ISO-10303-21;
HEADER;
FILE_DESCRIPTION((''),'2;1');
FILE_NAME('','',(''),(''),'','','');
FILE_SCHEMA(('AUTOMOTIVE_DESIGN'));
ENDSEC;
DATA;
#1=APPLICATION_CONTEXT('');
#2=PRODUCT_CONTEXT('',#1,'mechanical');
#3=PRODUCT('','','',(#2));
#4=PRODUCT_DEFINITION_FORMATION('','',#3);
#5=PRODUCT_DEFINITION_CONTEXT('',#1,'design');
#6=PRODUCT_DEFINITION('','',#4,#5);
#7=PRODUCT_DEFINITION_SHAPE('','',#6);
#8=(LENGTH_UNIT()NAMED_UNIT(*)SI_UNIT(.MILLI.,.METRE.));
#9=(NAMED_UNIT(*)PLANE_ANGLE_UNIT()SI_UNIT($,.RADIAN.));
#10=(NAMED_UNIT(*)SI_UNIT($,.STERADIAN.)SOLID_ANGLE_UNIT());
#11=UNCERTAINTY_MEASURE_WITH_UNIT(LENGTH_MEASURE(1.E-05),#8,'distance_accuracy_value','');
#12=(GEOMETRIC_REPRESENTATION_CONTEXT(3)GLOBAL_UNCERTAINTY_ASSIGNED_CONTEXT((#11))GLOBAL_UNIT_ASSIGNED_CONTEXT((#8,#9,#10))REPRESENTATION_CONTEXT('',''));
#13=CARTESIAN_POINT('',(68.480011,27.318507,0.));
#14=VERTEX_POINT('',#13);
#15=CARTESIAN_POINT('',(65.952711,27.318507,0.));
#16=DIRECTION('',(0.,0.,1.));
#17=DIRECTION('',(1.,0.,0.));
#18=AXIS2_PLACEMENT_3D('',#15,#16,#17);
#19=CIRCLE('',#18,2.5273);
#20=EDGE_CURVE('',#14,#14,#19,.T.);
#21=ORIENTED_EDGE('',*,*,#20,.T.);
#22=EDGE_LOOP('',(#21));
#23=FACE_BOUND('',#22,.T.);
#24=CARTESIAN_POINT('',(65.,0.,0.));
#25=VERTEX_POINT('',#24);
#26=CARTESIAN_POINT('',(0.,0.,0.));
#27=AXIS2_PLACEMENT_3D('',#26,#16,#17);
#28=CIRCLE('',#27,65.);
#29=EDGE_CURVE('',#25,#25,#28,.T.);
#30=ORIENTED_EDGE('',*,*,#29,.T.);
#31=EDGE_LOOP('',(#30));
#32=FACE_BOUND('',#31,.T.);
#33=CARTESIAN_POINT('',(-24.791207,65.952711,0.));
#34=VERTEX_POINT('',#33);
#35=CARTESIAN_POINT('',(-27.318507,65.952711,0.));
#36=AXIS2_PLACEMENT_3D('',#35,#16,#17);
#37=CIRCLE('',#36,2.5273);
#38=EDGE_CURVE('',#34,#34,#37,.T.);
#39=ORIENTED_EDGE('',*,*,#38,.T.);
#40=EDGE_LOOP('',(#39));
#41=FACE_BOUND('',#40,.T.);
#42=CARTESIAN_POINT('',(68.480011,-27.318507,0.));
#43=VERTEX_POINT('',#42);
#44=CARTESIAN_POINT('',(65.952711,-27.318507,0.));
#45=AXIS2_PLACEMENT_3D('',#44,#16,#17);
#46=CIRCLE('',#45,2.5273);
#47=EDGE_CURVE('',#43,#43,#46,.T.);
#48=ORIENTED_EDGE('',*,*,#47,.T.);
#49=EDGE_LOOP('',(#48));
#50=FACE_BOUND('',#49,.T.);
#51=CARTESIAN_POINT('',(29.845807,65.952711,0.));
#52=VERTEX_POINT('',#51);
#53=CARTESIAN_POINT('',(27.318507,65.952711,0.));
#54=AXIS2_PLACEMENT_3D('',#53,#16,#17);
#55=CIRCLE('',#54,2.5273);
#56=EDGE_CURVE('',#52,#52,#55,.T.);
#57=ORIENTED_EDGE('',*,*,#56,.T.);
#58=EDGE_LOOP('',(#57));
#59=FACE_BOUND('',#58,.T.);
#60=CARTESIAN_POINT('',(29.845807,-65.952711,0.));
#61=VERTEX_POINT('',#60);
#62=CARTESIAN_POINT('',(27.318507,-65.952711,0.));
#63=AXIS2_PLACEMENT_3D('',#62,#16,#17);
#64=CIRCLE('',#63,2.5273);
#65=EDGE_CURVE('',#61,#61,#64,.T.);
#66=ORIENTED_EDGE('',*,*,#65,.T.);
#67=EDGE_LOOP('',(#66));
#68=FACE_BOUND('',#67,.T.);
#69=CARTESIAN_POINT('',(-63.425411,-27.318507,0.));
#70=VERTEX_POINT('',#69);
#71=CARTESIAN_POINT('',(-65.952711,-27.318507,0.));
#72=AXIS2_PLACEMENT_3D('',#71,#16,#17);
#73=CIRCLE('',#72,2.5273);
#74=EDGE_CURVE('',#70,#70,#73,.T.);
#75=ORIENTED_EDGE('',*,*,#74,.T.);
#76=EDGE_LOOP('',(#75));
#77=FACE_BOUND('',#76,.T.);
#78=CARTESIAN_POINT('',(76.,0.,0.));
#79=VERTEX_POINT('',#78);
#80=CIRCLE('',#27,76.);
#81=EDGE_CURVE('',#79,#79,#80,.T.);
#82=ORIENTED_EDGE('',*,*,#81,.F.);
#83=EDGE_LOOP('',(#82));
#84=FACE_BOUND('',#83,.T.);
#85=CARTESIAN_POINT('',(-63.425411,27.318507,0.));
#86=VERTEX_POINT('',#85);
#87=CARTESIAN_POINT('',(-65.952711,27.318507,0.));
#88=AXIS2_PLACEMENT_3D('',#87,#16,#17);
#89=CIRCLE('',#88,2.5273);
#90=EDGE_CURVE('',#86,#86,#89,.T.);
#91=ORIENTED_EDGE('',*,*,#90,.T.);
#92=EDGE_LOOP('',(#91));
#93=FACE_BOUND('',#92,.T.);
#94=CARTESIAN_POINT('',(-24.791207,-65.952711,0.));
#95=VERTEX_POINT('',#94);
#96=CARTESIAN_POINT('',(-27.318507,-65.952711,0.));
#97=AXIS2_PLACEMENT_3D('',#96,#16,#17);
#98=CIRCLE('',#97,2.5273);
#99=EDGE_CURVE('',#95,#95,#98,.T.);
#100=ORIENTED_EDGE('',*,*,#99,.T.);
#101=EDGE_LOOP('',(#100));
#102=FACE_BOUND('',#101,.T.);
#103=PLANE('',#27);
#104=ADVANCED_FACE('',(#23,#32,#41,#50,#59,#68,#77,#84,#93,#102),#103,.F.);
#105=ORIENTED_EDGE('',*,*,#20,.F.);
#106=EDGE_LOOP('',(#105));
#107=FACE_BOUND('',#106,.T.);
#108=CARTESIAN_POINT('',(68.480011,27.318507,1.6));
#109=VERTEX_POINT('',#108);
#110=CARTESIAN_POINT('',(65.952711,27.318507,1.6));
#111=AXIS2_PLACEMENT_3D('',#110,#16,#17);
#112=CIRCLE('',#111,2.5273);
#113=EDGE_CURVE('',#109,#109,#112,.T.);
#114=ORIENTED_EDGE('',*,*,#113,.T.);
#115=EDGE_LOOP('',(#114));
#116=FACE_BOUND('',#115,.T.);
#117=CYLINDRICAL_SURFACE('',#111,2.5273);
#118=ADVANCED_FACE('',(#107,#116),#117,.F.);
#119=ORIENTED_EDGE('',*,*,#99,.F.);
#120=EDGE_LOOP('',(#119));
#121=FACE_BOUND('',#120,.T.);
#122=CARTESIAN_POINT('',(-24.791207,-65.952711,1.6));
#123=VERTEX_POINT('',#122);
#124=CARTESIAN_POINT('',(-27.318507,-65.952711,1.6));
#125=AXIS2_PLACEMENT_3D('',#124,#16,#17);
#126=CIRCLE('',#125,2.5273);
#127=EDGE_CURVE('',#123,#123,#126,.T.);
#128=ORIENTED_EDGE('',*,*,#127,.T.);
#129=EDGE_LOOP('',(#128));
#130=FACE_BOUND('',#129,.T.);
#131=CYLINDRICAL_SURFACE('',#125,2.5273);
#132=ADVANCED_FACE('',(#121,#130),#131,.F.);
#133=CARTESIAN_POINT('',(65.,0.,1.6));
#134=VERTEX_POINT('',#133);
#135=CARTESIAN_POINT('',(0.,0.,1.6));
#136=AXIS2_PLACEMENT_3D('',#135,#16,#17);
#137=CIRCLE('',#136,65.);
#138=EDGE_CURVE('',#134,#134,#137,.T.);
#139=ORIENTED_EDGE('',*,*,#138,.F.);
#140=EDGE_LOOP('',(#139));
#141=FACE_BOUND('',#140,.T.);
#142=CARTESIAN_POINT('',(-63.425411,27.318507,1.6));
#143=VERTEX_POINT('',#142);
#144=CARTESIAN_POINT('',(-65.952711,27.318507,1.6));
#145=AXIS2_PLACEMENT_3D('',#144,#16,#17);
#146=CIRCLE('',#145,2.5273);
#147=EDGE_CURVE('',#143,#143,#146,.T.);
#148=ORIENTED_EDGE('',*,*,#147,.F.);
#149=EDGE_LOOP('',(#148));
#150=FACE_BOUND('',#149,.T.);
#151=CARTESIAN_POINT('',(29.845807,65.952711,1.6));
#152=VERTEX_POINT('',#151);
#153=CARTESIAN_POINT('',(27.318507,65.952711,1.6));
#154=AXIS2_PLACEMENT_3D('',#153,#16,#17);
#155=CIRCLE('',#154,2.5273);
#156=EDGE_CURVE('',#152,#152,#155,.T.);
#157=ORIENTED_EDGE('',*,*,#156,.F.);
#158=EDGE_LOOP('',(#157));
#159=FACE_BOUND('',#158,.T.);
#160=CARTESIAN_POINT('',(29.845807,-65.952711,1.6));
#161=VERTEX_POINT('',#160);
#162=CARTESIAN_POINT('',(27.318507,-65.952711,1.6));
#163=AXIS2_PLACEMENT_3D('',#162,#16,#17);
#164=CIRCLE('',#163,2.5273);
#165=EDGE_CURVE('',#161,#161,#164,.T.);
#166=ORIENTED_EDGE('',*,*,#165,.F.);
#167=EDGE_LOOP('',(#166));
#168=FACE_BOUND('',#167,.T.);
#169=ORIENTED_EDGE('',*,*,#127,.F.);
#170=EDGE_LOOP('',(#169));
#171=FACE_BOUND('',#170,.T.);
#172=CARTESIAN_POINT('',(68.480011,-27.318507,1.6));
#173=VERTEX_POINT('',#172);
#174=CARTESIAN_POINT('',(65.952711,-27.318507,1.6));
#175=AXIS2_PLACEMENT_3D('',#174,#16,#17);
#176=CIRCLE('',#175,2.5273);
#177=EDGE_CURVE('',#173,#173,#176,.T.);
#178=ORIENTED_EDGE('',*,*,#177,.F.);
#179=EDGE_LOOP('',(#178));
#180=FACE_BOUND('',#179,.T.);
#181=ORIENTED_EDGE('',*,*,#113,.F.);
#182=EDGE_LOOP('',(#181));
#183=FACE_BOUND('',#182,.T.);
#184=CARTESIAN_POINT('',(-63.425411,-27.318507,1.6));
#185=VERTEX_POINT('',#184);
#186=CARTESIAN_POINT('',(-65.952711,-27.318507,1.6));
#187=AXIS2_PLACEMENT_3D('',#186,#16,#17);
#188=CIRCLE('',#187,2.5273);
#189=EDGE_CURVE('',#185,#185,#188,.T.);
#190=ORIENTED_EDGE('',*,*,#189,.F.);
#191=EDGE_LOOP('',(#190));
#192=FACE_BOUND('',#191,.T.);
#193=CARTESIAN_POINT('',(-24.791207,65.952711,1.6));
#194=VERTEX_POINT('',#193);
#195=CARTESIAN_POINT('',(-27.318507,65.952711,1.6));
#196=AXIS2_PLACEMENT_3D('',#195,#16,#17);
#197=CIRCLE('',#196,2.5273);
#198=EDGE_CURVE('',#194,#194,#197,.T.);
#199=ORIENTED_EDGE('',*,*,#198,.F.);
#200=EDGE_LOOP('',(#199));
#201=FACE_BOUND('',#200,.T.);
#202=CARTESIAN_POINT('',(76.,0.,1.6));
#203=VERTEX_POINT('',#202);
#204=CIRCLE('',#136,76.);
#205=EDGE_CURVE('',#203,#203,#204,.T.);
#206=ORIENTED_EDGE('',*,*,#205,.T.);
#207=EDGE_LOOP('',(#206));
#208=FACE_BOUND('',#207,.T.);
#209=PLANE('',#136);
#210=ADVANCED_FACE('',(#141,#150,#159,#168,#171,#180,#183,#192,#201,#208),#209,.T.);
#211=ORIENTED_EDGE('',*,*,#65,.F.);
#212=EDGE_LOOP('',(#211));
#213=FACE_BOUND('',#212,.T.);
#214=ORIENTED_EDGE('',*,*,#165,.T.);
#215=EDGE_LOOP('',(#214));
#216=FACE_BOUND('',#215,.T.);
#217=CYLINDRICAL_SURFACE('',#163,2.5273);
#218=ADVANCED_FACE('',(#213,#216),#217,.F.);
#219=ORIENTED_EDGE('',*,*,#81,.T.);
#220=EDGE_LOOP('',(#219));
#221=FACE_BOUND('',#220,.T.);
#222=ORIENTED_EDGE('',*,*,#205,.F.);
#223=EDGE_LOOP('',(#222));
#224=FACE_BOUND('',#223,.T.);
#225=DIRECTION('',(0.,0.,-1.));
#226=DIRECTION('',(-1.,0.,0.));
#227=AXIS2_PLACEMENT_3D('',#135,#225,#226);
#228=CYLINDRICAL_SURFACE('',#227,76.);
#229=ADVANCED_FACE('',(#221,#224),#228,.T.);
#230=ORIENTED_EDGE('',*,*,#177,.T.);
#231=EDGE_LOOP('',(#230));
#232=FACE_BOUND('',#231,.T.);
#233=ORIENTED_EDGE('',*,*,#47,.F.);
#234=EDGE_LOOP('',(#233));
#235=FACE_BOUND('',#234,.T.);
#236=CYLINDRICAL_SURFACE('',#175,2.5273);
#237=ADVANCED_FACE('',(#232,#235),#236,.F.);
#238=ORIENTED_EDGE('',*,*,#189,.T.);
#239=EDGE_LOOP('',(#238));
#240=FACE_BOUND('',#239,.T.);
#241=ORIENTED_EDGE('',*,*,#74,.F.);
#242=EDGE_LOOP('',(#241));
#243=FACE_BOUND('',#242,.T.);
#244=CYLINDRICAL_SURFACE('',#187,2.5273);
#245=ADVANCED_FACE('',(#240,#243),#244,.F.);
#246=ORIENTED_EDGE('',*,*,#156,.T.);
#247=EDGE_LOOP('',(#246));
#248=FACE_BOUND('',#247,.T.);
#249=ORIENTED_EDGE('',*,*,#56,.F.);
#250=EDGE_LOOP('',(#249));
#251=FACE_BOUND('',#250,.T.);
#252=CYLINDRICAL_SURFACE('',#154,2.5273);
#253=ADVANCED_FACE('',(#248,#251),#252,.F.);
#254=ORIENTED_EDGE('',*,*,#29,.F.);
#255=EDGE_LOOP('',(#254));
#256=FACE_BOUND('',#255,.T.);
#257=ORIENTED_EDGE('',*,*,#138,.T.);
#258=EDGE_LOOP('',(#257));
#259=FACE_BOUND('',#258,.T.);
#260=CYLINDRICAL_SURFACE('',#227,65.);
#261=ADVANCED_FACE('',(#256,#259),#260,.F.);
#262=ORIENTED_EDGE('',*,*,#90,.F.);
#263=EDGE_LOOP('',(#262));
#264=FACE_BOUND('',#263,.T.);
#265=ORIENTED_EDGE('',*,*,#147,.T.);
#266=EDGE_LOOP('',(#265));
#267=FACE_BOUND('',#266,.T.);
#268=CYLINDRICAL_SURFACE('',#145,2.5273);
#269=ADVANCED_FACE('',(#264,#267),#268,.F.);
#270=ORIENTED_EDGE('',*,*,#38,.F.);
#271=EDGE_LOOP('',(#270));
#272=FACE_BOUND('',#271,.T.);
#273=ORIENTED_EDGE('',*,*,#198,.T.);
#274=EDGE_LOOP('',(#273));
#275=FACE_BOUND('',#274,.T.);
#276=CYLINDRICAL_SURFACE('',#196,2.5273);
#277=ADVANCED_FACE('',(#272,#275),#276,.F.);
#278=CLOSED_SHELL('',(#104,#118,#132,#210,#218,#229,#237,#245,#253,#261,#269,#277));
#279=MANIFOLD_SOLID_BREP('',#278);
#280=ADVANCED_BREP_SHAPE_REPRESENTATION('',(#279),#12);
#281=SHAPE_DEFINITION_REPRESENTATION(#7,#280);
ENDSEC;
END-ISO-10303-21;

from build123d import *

# Parameters (mm, degrees)
SKETCH1_R                      = 76
SKETCH1_R_2                    = 65
BOSS_EXTRUDE1_DEPTH            = 1.6
F_8_0_199_DIAMETER_HOLE1_D     = 5.0546
F_8_0_199_DIAMETER_HOLE1_DEPTH = 8.481444958
F_8_0_199_DIAMETER_HOLE1_TIP   = 1.518555042


with BuildPart() as part:
    # Sketch1 → Boss-Extrude1 (new body)
    with BuildSketch(Plane.XY):
        Circle(SKETCH1_R)
        Circle(SKETCH1_R_2, mode=Mode.SUBTRACT)
    extrude(amount=BOSS_EXTRUDE1_DEPTH)

    # #8 (0.199) Diameter Hole1
    with Locations(Plane(origin=(-27.318507381, 65.952711024, 1.6), x_dir=(1, 0, 0), z_dir=(0, 0, 1))):
        with Locations((0, 0), (54.637014762, 0), (93.271218405, -38.634203643), (93.271218405, -93.271218405), (54.637014762, -131.905422048), (0, -131.905422048), (-38.634203643, -93.271218405), (-38.634203643, -38.634203643)):
            Hole(F_8_0_199_DIAMETER_HOLE1_D / 2, depth=F_8_0_199_DIAMETER_HOLE1_DEPTH)
            with Locations((0, 0, -(F_8_0_199_DIAMETER_HOLE1_DEPTH + F_8_0_199_DIAMETER_HOLE1_TIP / 2))):  # 118° drill point
                Cone(0, F_8_0_199_DIAMETER_HOLE1_D / 2, F_8_0_199_DIAMETER_HOLE1_TIP, mode=Mode.SUBTRACT)


solid = part.part
